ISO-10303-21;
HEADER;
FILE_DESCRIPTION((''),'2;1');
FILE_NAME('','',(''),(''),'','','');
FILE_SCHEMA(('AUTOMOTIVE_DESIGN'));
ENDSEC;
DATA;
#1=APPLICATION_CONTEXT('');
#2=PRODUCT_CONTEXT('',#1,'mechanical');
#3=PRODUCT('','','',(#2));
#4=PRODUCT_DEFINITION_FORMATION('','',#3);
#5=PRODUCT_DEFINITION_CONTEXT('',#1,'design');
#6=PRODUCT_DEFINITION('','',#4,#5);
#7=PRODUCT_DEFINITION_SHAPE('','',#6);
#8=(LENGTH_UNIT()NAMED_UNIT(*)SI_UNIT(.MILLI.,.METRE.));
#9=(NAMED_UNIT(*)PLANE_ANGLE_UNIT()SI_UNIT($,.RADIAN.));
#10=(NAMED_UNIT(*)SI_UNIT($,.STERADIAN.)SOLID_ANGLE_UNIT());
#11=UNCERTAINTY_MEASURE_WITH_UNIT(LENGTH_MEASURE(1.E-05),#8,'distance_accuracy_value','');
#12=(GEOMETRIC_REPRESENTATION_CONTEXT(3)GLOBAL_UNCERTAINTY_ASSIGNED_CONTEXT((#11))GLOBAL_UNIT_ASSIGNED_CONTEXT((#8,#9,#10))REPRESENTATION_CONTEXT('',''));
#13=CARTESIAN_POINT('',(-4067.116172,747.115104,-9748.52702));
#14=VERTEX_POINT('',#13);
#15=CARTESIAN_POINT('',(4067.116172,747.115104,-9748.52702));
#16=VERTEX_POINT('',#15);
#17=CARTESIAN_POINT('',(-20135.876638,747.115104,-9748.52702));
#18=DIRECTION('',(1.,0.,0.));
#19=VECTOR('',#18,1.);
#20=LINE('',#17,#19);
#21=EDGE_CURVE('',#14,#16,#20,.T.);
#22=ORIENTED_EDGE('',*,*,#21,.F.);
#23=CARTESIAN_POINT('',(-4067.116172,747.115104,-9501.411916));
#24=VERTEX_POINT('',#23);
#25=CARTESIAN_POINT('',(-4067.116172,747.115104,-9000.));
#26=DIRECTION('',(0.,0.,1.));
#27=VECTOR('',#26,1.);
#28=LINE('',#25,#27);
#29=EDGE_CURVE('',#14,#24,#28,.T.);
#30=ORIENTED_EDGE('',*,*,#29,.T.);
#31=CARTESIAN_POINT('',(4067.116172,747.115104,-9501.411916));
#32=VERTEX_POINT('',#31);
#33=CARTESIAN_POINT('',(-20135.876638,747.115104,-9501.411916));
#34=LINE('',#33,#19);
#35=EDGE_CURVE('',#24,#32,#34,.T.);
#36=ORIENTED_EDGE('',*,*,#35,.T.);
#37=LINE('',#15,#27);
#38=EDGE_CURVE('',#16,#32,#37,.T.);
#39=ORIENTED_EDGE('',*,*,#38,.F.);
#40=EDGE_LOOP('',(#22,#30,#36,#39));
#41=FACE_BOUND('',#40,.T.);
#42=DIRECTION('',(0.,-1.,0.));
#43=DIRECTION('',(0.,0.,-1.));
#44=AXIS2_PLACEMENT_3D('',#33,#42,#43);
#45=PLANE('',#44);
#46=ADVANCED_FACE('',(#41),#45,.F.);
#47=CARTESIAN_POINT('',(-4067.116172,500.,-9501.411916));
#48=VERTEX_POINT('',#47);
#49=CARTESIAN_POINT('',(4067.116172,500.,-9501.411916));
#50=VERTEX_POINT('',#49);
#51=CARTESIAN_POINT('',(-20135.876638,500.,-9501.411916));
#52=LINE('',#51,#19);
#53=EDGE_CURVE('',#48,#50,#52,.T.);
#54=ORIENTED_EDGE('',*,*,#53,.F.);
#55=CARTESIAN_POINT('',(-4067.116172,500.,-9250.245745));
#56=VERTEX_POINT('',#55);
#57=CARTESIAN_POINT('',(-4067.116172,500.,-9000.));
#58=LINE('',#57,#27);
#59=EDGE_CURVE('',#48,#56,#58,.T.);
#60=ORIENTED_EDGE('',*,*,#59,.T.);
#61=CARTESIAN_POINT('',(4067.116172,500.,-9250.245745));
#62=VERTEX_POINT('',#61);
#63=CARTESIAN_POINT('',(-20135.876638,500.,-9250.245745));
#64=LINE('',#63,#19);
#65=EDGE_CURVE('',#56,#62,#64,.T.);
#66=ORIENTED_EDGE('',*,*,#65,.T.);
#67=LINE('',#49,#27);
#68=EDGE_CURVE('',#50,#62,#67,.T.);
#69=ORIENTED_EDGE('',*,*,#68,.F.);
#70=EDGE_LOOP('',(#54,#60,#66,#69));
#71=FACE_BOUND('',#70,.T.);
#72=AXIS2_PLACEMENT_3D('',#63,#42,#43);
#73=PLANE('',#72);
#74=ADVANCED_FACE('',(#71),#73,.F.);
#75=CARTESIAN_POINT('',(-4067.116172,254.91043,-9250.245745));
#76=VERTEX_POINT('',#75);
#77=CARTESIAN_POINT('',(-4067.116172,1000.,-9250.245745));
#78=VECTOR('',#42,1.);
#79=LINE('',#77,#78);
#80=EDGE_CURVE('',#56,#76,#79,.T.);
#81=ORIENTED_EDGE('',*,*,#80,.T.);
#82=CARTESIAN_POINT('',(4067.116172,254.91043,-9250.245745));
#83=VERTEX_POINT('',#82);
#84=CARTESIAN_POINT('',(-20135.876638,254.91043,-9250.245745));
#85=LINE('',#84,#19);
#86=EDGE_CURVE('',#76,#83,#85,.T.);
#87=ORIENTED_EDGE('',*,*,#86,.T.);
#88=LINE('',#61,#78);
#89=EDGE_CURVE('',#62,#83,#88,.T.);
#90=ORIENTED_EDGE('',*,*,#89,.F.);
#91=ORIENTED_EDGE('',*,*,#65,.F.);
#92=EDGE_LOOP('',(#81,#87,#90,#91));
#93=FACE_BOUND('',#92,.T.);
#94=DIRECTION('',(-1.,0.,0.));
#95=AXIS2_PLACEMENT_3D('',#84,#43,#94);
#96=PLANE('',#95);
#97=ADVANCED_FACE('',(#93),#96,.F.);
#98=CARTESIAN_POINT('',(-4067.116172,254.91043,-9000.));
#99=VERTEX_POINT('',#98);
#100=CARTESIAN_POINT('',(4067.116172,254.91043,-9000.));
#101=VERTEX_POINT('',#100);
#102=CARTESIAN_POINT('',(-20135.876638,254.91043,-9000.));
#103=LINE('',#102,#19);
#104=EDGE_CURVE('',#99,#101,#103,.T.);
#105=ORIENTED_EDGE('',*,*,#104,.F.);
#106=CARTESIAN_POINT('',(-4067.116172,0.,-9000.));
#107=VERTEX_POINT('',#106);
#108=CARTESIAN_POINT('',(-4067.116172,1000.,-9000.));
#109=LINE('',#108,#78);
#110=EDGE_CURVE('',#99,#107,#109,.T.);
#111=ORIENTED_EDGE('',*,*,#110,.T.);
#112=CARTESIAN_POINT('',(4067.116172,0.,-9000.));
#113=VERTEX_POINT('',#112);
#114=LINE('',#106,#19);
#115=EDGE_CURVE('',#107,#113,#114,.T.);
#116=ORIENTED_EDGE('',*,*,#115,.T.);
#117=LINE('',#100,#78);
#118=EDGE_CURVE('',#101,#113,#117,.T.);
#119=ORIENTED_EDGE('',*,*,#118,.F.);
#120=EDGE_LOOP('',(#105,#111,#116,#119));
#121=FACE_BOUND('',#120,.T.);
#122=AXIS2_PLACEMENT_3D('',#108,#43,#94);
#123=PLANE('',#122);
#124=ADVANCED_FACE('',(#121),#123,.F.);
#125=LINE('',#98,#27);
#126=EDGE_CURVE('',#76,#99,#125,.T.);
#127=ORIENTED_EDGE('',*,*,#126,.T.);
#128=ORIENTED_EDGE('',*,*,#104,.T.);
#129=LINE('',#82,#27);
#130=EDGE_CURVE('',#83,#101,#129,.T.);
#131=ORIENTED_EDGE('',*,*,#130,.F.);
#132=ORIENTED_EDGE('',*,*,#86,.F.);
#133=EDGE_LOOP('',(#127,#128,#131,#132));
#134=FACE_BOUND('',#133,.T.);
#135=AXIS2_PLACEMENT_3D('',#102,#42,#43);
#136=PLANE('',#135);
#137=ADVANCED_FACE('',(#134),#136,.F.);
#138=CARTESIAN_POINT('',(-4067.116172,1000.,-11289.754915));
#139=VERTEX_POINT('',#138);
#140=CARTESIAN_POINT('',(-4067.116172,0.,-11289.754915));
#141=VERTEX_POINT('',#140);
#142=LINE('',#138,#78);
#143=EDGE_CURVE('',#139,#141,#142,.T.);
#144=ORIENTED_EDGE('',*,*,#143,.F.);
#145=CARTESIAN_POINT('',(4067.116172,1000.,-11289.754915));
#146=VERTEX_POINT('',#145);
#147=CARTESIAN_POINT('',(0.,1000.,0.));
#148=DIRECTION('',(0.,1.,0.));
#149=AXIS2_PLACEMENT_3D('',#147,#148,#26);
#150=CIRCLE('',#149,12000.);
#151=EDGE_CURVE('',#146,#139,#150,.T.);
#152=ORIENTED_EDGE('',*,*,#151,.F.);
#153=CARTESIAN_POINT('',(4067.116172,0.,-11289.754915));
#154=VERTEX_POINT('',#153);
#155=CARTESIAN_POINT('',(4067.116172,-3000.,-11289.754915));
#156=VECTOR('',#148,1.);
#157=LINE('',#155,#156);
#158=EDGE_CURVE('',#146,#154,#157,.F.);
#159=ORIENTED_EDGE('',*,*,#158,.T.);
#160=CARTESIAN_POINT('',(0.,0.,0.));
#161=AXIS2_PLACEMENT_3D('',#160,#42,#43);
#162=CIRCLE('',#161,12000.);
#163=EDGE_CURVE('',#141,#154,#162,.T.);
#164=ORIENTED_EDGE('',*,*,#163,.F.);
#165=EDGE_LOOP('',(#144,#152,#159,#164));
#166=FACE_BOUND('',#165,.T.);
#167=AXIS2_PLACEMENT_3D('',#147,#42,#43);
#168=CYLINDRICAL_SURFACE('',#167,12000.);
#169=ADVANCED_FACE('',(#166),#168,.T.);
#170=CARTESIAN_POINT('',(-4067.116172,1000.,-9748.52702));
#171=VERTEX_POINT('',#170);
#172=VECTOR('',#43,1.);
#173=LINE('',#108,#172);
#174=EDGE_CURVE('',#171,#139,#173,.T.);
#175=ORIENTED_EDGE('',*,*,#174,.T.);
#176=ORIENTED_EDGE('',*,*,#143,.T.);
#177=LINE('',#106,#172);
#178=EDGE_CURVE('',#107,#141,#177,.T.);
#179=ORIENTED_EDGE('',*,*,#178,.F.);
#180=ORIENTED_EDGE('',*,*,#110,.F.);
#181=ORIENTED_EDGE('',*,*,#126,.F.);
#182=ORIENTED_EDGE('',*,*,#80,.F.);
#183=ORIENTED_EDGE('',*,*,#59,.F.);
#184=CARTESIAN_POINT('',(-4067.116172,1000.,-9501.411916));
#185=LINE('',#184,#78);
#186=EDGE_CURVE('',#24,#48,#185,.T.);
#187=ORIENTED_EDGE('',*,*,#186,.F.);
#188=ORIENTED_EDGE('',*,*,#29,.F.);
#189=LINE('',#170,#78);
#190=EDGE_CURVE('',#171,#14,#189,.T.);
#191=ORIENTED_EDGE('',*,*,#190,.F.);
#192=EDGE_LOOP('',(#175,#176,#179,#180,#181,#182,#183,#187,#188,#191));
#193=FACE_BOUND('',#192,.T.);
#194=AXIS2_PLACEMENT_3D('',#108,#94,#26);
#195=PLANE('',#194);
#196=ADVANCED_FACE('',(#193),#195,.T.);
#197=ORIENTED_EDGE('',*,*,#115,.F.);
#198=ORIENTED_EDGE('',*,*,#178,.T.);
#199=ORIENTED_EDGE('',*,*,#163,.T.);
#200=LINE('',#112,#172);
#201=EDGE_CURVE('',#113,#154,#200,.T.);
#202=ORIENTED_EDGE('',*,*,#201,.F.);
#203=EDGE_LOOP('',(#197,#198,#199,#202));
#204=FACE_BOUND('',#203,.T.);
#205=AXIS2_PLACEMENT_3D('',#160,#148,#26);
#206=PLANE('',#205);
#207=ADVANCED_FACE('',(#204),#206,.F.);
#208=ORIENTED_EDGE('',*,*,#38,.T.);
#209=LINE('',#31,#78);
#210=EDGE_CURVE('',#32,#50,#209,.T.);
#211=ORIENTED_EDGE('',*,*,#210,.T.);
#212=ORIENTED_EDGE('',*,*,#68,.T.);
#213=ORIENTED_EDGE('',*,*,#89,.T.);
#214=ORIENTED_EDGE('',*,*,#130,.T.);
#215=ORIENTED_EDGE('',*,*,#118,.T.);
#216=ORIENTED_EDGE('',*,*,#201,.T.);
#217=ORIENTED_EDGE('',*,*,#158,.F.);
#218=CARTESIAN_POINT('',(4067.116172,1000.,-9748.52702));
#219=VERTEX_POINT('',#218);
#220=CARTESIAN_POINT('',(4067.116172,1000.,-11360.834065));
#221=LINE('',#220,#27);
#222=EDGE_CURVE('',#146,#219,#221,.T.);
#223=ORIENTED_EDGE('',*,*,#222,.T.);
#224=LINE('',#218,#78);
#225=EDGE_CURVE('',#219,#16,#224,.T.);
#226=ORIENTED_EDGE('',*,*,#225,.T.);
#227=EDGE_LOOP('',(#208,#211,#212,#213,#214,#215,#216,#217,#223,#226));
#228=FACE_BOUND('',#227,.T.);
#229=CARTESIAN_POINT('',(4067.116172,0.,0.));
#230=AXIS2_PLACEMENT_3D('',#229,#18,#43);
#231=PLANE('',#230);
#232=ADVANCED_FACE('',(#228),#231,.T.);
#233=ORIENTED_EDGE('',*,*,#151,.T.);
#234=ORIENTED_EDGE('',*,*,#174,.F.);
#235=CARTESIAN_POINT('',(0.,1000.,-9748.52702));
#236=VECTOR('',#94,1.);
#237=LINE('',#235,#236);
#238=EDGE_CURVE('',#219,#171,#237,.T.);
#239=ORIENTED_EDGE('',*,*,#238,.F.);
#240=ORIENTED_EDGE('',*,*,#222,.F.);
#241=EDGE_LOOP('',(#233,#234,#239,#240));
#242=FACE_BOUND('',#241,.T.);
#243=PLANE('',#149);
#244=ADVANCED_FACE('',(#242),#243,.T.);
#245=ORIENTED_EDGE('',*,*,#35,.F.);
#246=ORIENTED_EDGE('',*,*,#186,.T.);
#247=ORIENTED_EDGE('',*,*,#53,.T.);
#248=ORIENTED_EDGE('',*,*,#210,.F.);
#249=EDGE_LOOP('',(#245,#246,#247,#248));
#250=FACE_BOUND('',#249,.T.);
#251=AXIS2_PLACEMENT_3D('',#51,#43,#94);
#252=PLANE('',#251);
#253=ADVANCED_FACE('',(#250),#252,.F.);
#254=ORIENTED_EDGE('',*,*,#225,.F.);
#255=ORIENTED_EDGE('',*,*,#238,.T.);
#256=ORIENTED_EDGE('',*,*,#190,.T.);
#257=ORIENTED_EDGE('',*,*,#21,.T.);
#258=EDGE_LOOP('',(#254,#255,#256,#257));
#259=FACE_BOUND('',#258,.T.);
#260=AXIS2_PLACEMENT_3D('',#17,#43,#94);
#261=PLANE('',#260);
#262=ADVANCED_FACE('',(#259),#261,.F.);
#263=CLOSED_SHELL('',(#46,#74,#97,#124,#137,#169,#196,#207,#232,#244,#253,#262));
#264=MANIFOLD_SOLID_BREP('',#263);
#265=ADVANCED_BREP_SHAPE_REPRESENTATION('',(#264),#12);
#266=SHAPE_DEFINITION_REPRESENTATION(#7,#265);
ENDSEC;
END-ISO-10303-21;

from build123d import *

# Parameters (mm, degrees)
BOSS_EXTRUDE1_DEPTH = 1000
CUT_EXTRUDE1_DEPTH  = 24000
BOSS_EXTRUDE2_DEPTH = 202.99281
CUT_EXTRUDE5_START  = -4000
CUT_EXTRUDE5_DEPTH  = 4000


with BuildPart() as part:
    # Sketch1 → Boss-Extrude1 (new body)
    with BuildSketch(Plane(origin=(0, 0, 0), x_dir=(1, 0, 0), z_dir=(0, 1, 0))):
        with BuildLine():
            Line((-4067.116172071, 9000), (3864.123361974, 9000))
            Line((3864.123361974, 9000), (3864.123361974, 11360.834064603))
            ThreePointArc((3864.123361974, 11360.834064603), (1958.314482503, 11839.130220908), (0, 12000))
            ThreePointArc((0, 12000), (-2064.332945394, 11821.105256725), (-4067.116172071, 11289.754915094))
            Line((-4067.116172071, 11289.754915094), (-4067.116172071, 9000))
        make_face()
    extrude(amount=BOSS_EXTRUDE1_DEPTH)

    # Sketch2 → Cut-Extrude1 (cut)
    with BuildSketch(Plane(origin=(3864.123361974, 0, 0), x_dir=(0, 0, -1), z_dir=(1, 0, 0))):
        Polygon((9000, 254.910429711), (9250.24574489, 254.910429711), (9250.24574489, 500), (9501.411916095, 500), (9501.411916095, 747.115103928), (9748.527020023, 747.115103928), (9748.527020023, 1000), (9000, 1000), align=None)
    extrude(amount=-CUT_EXTRUDE1_DEPTH, mode=Mode.SUBTRACT)

    # Sketch4 → Boss-Extrude2 (add)
    with BuildSketch(Plane(origin=(3864.123361974, 0, 0), x_dir=(0, 0, -1), z_dir=(1, 0, 0))):
        Polygon((9000, 254.910429711), (9000, 0), (11360.834064603, 0), (11360.834064603, 1000), (9748.527020023, 1000), (9748.527020023, 747.115103928), (9501.411916095, 747.115103928), (9501.411916095, 500), (9250.24574489, 500), (9250.24574489, 254.910429711), align=None)
    extrude(amount=BOSS_EXTRUDE2_DEPTH)

    # Sketch5 → Cut-Extrude5 (cut)
    with BuildSketch(Plane(origin=(0, 1000, 0), x_dir=(1, 0, 0), z_dir=(0, 1, 0)).offset(CUT_EXTRUDE5_START)):
        with BuildLine():
            Line((4067.116172071, 11289.754915094), (4067.116171974, 11360.834064603))
            Line((4067.116171974, 11360.834064603), (3864.123361974, 11360.834064603))
            ThreePointArc((3864.123361974, 11360.834064603), (3965.779015272, 11325.749282146), (4067.116172071, 11289.754915094))
        make_face()
    extrude(amount=CUT_EXTRUDE5_DEPTH, mode=Mode.SUBTRACT)


solid = part.part
